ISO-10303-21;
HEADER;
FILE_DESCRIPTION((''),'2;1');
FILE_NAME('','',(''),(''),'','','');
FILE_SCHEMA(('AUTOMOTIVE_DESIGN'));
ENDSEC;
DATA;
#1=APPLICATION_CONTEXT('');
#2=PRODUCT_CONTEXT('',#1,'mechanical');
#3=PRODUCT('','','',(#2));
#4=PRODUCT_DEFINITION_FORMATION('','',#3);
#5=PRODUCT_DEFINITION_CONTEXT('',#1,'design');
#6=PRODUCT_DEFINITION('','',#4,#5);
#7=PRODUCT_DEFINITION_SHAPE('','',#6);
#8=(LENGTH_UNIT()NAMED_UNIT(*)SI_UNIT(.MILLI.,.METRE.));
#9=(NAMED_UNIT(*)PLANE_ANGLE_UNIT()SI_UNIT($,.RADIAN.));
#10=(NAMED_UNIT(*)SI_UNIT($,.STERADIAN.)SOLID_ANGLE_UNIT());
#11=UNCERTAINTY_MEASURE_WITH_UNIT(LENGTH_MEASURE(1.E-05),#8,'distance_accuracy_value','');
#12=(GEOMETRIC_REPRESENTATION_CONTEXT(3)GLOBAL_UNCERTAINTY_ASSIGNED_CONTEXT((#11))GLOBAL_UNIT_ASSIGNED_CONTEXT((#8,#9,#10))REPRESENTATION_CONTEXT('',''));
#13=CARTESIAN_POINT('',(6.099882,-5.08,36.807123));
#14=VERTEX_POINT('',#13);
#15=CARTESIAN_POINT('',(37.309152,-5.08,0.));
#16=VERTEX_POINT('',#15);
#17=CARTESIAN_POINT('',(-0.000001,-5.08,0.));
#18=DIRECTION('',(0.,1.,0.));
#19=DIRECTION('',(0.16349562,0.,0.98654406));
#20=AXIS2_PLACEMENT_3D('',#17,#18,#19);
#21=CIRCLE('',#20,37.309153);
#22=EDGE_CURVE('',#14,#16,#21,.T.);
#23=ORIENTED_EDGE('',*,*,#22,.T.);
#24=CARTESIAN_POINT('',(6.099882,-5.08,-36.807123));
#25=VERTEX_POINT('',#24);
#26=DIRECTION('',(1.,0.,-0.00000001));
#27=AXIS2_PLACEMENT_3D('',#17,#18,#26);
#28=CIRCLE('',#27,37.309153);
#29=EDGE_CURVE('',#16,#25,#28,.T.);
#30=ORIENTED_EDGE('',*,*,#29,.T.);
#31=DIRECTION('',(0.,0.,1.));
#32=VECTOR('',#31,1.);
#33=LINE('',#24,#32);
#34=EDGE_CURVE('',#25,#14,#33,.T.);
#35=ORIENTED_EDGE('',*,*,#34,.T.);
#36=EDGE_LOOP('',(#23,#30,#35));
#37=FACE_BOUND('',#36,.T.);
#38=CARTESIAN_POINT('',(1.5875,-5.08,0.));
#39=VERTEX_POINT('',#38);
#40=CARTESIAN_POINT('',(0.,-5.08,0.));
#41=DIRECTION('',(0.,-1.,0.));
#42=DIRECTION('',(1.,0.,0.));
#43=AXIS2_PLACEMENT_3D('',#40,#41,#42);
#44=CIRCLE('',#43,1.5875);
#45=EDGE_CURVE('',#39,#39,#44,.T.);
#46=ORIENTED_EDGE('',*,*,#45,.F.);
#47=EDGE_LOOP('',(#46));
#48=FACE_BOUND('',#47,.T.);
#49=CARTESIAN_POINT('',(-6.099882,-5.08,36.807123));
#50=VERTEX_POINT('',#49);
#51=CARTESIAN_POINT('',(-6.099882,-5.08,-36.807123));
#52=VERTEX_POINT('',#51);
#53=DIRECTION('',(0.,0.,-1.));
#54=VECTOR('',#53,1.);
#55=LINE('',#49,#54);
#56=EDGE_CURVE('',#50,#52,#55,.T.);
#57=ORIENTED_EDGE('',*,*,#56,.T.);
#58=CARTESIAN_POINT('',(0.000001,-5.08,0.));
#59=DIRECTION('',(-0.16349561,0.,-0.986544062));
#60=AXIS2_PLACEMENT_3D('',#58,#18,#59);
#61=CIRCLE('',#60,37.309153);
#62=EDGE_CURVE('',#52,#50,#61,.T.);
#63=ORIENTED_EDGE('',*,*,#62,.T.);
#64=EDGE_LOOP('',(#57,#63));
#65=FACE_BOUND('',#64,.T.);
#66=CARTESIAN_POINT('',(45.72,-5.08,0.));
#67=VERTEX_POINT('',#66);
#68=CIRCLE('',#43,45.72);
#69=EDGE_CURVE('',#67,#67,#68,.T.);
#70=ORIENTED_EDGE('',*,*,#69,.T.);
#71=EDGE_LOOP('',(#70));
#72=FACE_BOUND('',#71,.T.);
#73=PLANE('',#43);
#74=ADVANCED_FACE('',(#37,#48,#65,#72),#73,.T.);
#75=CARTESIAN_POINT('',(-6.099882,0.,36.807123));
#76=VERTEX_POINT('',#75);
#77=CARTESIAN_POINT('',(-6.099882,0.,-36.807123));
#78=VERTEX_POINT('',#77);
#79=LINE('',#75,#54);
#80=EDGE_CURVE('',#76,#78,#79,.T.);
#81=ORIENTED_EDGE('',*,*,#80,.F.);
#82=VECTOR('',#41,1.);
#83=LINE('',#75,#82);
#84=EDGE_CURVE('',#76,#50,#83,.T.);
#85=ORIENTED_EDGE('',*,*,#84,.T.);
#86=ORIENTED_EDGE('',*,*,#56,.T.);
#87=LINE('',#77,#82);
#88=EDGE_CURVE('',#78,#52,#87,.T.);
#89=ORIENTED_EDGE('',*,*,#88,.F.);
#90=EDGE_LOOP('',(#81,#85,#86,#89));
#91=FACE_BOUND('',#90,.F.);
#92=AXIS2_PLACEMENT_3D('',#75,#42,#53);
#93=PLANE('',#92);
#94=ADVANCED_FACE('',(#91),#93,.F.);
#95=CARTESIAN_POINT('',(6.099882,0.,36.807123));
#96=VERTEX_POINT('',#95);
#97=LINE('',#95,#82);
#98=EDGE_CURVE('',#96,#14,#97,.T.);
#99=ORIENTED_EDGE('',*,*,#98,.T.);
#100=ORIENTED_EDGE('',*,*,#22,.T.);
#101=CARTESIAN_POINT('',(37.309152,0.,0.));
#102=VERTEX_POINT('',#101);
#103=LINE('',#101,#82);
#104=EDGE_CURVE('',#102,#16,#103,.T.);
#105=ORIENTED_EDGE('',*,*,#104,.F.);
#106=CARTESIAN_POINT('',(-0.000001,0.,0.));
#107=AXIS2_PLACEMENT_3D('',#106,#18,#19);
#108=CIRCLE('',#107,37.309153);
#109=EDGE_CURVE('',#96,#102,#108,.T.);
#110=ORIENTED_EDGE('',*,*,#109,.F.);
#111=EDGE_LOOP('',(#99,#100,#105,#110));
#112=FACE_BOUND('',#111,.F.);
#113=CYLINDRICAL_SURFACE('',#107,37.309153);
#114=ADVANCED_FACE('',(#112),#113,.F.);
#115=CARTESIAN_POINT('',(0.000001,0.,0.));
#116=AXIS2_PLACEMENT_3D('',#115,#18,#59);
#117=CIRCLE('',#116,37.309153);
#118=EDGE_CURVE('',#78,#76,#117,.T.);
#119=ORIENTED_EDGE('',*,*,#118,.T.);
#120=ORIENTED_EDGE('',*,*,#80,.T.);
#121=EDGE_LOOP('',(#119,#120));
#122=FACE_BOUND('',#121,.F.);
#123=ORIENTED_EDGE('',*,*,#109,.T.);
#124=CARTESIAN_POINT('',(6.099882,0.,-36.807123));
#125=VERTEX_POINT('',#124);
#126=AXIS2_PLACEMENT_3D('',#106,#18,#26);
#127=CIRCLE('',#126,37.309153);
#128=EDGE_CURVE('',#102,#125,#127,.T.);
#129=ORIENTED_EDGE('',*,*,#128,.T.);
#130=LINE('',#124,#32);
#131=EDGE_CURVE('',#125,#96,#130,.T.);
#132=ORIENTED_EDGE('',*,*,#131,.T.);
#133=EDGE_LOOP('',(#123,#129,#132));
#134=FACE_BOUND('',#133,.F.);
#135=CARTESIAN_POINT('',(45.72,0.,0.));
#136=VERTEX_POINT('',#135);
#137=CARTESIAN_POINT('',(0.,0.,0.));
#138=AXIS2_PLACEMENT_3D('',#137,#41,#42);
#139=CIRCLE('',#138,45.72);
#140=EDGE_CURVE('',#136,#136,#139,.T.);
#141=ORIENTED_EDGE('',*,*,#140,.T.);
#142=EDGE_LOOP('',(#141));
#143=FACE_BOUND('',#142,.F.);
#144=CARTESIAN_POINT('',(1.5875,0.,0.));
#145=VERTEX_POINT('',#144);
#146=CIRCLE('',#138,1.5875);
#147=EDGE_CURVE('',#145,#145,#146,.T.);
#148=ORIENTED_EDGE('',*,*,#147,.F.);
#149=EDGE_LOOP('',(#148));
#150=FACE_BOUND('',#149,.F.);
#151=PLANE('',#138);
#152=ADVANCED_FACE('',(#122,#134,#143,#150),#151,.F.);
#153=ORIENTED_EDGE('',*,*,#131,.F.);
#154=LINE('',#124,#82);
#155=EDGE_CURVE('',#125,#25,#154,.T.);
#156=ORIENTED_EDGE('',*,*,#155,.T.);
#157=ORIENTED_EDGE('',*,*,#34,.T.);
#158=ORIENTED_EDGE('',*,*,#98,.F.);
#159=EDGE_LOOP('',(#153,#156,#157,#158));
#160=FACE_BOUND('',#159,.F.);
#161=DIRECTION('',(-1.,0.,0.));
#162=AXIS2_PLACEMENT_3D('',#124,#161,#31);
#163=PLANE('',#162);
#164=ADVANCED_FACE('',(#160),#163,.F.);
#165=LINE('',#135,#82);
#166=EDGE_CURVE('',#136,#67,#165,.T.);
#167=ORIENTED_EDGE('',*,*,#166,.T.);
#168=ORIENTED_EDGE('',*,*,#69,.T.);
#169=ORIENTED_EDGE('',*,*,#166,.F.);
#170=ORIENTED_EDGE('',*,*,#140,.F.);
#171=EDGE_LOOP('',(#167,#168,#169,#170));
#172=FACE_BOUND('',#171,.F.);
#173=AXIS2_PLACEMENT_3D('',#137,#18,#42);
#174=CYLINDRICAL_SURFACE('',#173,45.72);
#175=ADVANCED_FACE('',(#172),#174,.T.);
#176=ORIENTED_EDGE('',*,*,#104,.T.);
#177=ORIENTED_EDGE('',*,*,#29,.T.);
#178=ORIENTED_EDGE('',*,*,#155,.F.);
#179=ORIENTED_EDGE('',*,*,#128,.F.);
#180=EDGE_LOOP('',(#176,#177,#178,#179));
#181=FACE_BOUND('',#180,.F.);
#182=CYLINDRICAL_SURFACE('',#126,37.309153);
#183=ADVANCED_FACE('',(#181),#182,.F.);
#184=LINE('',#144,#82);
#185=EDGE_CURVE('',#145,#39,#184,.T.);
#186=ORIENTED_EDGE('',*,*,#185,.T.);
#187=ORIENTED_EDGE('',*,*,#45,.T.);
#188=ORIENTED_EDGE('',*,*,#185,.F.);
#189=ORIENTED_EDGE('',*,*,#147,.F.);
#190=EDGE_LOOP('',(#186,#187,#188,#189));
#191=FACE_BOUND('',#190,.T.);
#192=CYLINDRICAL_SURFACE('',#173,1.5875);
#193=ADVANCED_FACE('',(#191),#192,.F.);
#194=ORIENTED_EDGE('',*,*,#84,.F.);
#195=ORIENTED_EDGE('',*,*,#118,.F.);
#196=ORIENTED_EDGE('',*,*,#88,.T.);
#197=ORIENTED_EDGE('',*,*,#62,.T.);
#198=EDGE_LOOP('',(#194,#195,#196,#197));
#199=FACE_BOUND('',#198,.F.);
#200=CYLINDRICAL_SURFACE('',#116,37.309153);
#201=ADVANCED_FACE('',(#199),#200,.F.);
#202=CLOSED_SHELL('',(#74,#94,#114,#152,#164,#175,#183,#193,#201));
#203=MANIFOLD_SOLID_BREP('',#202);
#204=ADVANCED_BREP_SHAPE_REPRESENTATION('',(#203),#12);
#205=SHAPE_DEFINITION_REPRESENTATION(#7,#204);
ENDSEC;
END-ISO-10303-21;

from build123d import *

# Parameters (mm, degrees)
F0_R     = 45.72
F0_R_2   = 1.5875
F1_DEPTH = 5.08


with BuildPart() as f1:
    # F0 (on Front) → F1 (new body)
    with BuildSketch(Plane.XZ):
        Circle(F0_R)
        with BuildLine():
            ThreePointArc((6.099882, 36.807123), (28.456583, 24.128732), (37.309152, 0))
            ThreePointArc((37.309152, 0), (28.456583, -24.128732), (6.099882, -36.807123))
            Line((6.099882, -36.807123), (6.099882, -41.402))
            Line((6.099882, -41.402), (-6.099882, -41.402))
            Line((-6.099882, -41.402), (-6.099882, -36.807123))
            ThreePointArc((-6.099882, -36.807123), (-37.309152, 0), (-6.099882, 36.807123))
            Line((-6.099882, 36.807123), (-6.099882, 41.402))
            Line((-6.099882, 41.402), (6.099882, 41.402))
            Line((6.099882, 41.402), (6.099882, 36.807123))
        make_face(mode=Mode.SUBTRACT)
        with BuildLine():
            Line((6.099882, -36.807123), (6.099882, 36.807123))
            ThreePointArc((6.099882, 36.807123), (0, 37.309152), (-6.099882, 36.807123))
            Line((-6.099882, 36.807123), (-6.099882, -36.807123))
            ThreePointArc((-6.099882, -36.807123), (0, -37.309152), (6.099882, -36.807123))
        make_face()
        Circle(F0_R_2, mode=Mode.SUBTRACT)
        with BuildLine():
            ThreePointArc((-6.099882, 36.807123), (0, 37.309152), (6.099882, 36.807123))
            Line((6.099882, 36.807123), (6.099882, 41.402))
            Line((6.099882, 41.402), (-6.099882, 41.402))
            Line((-6.099882, 41.402), (-6.099882, 36.807123))
        make_face()
        with BuildLine():
            Line((6.099882, -41.402), (6.099882, -36.807123))
            ThreePointArc((6.099882, -36.807123), (0, -37.309152), (-6.099882, -36.807123))
            Line((-6.099882, -36.807123), (-6.099882, -41.402))
            Line((-6.099882, -41.402), (6.099882, -41.402))
        make_face()
    extrude(amount=F1_DEPTH)


solid = f1.part
